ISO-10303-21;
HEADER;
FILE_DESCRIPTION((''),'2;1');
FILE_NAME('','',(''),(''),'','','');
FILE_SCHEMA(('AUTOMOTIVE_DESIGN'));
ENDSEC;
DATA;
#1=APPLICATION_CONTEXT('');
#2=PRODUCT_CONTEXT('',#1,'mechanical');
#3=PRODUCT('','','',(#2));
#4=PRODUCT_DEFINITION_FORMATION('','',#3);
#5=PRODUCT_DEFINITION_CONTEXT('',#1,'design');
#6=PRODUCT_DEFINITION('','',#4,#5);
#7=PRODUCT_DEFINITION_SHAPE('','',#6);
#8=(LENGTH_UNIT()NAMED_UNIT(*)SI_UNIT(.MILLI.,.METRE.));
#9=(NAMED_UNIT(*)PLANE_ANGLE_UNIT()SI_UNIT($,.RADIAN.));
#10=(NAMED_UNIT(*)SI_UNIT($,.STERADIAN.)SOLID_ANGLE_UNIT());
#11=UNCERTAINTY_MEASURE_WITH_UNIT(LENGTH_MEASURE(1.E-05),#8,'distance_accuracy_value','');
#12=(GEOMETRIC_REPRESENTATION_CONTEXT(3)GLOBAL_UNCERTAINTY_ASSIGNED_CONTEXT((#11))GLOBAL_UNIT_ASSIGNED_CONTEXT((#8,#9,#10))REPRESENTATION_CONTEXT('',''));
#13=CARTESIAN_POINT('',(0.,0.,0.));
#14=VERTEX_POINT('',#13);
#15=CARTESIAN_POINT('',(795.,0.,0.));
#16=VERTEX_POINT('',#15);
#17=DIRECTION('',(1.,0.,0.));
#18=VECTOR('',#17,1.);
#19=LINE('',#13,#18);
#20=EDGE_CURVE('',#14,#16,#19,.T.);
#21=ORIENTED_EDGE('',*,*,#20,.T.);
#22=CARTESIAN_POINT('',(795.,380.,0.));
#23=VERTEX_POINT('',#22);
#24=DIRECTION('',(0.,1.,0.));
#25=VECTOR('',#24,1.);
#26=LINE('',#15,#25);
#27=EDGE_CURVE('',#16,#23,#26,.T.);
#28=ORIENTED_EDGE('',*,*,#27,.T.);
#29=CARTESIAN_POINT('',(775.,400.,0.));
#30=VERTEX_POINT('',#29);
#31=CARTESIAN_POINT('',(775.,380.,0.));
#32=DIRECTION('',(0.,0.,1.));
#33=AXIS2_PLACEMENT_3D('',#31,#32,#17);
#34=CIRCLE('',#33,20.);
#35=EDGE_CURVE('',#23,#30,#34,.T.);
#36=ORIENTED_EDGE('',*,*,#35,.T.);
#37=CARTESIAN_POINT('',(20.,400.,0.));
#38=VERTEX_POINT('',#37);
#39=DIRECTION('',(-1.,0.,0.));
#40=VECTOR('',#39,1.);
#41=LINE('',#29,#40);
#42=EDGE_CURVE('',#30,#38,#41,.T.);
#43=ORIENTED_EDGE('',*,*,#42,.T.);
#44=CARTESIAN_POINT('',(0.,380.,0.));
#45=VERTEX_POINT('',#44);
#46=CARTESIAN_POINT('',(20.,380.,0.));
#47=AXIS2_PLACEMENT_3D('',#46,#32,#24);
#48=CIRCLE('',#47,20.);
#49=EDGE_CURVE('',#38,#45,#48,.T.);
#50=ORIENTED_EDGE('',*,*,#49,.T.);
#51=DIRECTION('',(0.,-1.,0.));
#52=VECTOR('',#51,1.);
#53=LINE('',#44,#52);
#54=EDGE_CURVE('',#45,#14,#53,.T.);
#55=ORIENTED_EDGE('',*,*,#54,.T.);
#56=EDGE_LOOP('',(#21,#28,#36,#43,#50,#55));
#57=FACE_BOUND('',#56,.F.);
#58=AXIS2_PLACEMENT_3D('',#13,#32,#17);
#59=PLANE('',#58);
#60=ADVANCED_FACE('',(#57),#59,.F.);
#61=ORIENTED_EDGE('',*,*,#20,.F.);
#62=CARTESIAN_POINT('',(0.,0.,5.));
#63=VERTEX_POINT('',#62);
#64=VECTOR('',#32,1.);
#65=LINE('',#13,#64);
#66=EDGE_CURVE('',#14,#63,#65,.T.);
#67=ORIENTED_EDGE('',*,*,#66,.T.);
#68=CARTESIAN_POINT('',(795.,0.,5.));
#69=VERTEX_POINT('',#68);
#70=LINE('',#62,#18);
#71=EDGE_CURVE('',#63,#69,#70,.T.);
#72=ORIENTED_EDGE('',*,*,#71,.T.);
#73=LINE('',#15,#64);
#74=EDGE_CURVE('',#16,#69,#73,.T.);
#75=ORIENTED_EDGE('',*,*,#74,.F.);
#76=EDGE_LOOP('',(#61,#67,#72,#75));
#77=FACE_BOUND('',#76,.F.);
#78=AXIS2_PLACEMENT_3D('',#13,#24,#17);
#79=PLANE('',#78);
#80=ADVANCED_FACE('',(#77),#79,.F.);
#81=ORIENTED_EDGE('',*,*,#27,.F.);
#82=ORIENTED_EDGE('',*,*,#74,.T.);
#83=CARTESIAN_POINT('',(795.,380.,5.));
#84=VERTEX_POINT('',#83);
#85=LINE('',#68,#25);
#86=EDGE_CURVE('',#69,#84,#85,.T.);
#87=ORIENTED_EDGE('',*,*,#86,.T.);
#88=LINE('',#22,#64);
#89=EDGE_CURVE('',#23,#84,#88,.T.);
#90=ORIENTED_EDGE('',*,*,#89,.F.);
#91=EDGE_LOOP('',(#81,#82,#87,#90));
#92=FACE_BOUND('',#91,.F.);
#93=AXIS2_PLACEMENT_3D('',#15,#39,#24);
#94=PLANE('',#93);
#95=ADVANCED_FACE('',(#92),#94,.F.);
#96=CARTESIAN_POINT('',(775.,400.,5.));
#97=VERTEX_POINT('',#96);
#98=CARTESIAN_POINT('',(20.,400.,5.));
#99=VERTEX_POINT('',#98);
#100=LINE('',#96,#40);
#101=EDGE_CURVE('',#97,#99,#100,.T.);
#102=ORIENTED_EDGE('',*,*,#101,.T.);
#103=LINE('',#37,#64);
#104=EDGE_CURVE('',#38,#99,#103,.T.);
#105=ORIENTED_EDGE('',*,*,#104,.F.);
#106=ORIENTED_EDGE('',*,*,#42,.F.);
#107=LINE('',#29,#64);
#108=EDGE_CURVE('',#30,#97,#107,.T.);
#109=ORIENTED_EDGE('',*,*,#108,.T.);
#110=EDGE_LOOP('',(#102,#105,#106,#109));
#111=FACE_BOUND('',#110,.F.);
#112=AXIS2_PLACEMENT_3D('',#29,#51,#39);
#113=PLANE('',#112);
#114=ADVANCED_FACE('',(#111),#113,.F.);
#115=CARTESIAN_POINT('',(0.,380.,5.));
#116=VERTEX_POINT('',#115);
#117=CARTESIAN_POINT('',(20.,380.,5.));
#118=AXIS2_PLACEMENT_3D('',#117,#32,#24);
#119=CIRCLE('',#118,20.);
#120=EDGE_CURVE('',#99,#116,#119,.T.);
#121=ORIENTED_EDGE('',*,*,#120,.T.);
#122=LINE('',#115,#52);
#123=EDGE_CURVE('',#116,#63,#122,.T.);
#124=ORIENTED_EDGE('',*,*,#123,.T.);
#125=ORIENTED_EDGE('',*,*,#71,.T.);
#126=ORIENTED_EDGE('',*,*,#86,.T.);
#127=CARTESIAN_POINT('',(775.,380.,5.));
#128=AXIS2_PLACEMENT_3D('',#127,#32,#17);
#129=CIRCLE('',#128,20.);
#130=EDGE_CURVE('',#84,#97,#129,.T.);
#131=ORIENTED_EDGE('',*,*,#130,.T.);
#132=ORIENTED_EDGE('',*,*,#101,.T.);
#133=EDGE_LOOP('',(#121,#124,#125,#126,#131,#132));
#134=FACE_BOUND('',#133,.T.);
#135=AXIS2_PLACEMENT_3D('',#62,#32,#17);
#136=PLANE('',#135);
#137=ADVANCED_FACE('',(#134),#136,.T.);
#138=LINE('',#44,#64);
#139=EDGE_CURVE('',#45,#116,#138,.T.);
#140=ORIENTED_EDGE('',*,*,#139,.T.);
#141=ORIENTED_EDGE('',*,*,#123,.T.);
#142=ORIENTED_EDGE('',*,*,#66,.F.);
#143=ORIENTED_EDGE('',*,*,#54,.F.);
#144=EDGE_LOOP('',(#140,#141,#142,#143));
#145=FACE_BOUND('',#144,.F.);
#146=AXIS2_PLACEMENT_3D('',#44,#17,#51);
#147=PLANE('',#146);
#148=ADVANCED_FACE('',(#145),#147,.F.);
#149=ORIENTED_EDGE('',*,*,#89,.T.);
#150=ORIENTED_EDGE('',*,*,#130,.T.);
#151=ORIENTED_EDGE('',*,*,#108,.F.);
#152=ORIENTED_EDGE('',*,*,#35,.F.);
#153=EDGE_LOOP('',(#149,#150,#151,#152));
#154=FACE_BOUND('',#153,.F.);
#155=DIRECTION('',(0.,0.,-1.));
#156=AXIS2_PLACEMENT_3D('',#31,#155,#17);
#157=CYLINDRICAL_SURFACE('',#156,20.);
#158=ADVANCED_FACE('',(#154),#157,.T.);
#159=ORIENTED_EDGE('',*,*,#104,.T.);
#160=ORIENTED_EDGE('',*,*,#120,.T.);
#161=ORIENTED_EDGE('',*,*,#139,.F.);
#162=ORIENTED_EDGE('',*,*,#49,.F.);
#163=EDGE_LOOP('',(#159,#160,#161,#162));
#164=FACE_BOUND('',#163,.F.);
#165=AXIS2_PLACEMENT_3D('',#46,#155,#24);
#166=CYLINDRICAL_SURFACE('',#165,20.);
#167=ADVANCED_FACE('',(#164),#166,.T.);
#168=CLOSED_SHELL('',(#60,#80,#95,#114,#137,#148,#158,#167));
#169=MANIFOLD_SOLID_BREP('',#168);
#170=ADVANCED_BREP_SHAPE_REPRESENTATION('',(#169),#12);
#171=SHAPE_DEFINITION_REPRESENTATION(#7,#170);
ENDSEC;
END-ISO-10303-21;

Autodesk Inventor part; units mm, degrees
ref_plane "YZ Plane" through (0, 0, 0) normal (1, 0, 0) x (0, 1, 0)
ref_plane "XZ Plane" through (0, 0, 0) normal (0, 1, 0) x (-1, 0, 0)
ref_plane "XY Plane" through (0, 0, 0) normal (0, 0, 1) x (1, 0, 0)
sketch "Sketch1" plane through (0, 0, 0) normal (0, 0, 1) x (1, 0, 0)
  line L0 (0, 0) -> (795, 0)
  line L1 (795, 0) -> (795, 380)
  line L2 (775, 400) -> (20, 400)
  line L3 (0, 380) -> (0, 0)
  arc A0 (20, 400) -> (0, 380) centre (20, 380) ccw
  arc A1 (795, 380) -> (775, 400) centre (775, 380) ccw
  point P0 (795, 400)
  point P1 (0, 400)
  dimension "d0" = 795
  dimension "d1" = 400
  dimension "d2" = 20
extrude "Extrusion1" add sketch "Sketch1" along normal blind 5
properties part number "left wall"
